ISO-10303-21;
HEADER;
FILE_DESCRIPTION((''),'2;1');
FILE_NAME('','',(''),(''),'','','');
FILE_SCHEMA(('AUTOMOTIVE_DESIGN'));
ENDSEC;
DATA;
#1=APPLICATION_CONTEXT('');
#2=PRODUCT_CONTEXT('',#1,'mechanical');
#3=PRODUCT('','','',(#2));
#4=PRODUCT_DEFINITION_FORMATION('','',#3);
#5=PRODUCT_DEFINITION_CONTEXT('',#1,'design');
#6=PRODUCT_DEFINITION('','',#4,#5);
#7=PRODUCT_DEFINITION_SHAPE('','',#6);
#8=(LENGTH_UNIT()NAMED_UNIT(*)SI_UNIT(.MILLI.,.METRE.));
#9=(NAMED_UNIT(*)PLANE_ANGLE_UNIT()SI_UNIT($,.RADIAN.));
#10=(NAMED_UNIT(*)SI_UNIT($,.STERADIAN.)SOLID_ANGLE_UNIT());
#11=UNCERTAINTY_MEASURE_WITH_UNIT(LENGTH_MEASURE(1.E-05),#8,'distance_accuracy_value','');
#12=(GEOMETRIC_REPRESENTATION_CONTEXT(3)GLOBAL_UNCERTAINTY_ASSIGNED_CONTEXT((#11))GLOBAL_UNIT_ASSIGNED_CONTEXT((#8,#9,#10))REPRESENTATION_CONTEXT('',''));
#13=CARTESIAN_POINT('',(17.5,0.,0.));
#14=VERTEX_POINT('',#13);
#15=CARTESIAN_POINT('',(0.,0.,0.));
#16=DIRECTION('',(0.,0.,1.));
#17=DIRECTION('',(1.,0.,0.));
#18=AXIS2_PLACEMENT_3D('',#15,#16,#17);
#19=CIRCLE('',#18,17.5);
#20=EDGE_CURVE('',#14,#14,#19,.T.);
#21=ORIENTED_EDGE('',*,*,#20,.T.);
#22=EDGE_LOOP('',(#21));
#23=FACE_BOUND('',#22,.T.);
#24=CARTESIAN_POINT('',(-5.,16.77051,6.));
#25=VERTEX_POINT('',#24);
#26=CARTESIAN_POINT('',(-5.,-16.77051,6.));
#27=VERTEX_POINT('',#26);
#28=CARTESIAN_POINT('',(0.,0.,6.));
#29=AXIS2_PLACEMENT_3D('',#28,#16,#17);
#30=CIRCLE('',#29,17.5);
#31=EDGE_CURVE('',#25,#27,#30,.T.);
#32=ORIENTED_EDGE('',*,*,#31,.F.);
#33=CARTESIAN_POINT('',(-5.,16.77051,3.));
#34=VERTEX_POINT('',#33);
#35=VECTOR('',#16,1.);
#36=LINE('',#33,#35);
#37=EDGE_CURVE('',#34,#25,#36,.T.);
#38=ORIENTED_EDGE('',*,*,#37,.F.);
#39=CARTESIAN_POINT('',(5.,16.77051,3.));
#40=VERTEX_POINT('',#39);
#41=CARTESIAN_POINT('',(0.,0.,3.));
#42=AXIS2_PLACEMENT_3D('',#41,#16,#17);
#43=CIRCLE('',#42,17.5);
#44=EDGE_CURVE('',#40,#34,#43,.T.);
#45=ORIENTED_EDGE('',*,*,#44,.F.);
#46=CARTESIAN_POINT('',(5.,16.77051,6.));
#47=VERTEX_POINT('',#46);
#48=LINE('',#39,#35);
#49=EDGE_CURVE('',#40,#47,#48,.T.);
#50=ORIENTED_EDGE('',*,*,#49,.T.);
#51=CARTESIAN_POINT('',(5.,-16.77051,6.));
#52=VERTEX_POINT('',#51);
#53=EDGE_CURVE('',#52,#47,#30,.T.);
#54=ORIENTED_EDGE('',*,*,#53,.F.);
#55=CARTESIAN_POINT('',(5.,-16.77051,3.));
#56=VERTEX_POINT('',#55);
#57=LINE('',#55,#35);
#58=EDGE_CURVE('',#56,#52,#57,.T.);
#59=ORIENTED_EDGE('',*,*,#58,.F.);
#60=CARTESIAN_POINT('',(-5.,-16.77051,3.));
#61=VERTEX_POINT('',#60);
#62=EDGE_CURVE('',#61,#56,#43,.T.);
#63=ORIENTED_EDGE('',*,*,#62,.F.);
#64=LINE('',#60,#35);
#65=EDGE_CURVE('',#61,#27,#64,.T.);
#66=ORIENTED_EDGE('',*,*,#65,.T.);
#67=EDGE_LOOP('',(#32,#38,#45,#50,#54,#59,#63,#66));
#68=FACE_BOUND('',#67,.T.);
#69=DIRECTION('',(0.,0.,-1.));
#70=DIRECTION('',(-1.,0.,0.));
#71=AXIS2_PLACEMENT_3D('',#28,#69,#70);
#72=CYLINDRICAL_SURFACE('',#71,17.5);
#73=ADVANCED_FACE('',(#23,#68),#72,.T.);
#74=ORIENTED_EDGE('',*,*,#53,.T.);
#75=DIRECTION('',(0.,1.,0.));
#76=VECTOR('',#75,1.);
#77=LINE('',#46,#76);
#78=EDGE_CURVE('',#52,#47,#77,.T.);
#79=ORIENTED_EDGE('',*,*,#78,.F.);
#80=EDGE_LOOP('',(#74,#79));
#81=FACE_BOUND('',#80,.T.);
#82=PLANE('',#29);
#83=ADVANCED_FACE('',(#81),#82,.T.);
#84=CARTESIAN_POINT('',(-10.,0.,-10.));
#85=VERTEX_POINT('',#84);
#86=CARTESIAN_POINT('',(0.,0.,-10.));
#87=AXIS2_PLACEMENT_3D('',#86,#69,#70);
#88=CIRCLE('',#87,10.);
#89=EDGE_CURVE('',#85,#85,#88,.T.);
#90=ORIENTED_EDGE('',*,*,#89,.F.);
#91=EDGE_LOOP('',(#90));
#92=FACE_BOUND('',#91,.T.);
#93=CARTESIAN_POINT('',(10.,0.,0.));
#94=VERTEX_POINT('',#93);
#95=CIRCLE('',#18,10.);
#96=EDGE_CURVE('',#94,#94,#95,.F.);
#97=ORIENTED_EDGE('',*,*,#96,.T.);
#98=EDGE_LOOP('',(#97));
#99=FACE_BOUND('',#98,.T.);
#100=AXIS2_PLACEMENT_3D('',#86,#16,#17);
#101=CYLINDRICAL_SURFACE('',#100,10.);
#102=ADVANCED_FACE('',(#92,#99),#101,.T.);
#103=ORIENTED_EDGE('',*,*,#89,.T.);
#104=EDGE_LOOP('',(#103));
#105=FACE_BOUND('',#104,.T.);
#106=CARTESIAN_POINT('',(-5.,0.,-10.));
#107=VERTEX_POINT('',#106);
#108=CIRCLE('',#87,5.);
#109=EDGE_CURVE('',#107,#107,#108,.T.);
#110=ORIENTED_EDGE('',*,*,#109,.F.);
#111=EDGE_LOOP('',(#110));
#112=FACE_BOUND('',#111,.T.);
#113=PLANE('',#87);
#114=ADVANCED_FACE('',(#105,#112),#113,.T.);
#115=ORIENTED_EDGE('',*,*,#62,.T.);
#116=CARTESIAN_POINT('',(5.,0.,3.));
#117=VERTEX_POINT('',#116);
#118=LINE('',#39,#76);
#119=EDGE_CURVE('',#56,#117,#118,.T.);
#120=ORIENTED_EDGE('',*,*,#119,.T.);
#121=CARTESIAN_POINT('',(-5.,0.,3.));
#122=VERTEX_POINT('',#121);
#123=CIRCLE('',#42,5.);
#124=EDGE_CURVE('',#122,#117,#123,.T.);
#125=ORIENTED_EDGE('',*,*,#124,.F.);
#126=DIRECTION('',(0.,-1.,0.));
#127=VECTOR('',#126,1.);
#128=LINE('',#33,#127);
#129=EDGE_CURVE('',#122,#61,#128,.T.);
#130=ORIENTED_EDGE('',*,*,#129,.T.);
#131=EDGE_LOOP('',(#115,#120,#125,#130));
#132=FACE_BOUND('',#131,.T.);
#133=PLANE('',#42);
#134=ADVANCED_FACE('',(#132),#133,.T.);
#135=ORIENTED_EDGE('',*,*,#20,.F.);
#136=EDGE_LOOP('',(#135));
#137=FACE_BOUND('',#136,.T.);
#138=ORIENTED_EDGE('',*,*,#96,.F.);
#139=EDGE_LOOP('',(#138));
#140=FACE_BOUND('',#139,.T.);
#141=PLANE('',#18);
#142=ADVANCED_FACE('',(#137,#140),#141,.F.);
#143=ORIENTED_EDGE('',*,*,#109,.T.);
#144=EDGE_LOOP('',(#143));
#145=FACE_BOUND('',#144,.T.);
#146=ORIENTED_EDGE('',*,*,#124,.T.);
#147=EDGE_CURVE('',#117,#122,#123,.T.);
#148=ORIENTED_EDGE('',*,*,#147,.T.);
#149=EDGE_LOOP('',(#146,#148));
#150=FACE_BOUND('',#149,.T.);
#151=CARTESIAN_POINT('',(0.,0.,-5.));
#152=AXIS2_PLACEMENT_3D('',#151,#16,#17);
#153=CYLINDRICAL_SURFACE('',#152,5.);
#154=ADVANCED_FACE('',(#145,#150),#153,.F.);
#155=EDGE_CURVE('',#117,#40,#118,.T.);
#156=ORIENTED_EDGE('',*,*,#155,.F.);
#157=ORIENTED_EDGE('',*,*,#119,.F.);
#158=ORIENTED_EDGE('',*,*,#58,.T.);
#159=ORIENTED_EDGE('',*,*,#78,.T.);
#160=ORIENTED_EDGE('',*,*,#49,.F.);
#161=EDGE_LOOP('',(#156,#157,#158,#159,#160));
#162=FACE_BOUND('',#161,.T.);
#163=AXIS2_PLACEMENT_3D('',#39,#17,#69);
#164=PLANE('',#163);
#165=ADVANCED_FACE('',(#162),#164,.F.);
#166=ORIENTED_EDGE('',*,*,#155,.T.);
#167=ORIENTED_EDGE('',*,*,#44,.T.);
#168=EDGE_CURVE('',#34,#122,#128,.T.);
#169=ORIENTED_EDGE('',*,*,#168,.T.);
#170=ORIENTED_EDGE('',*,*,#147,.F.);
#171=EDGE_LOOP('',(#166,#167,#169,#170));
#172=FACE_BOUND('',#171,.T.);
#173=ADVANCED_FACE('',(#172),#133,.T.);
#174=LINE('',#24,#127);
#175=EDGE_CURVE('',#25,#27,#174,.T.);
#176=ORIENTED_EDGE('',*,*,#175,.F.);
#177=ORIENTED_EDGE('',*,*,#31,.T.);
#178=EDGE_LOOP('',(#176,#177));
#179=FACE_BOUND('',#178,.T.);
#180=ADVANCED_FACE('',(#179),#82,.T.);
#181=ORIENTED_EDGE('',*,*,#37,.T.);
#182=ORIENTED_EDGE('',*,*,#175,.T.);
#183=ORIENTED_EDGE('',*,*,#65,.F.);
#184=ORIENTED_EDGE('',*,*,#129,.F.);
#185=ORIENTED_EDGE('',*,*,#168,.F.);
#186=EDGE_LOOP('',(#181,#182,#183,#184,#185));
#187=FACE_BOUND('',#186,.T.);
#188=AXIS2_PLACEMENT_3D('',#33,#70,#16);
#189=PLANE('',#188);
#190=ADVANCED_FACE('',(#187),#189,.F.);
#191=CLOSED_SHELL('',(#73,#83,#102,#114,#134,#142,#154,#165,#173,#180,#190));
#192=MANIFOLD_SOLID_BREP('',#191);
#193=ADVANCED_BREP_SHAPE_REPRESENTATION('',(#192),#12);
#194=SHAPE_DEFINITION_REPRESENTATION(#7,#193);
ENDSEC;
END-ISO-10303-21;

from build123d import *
from build123d.topology import SkipClean

# Parameters (mm, degrees)
SKETCH1_R           = 17.5
BOSS_EXTRUDE1_DEPTH = 6
CUT_EXTRUDE1_START  = -3
CUT_EXTRUDE1_DEPTH  = 3
SKETCH3_R           = 5
CUT_EXTRUDE2_DEPTH  = 11
SKETCH4_R           = 10
SKETCH4_R_2         = 5
BOSS_EXTRUDE2_DEPTH = 10


with BuildPart() as part:
    # Sketch1 → Boss-Extrude1 (new body)
    with BuildSketch(Plane.XY):
        Circle(SKETCH1_R)
    extrude(amount=BOSS_EXTRUDE1_DEPTH)

    # Sketch2 → Cut-Extrude1 (cut)
    with BuildSketch(Plane.XY.offset(6).offset(CUT_EXTRUDE1_START)):
        with BuildLine():
            Line((-5, 16.770509831), (-5, -16.770509831))
            ThreePointArc((-5, -16.770509831), (0, -17.5), (5, -16.770509831))
            Line((5, -16.770509831), (5, 16.770509831))
            ThreePointArc((5, 16.770509831), (0, 17.5), (-5, 16.770509831))
        make_face()
    extrude(amount=CUT_EXTRUDE1_DEPTH, mode=Mode.SUBTRACT)

    # Sketch3 → Cut-Extrude2 (cut)
    with BuildSketch(Plane.XY.offset(6)):
        Circle(SKETCH3_R)
    extrude(amount=-CUT_EXTRUDE2_DEPTH, mode=Mode.SUBTRACT)

    # Sketch4 → Boss-Extrude2 (add)
    with SkipClean():  # the faces are left unmerged after this step: merging them gives an invalid solid
        with BuildSketch(Plane(origin=(0, 0, 0), x_dir=(-1, 0, 0), z_dir=(0, 0, -1))):
            with Locations(Location((0, 0, 0), (0, 0, 180))):
                Circle(SKETCH4_R)
            Circle(SKETCH4_R_2, mode=Mode.SUBTRACT)
        extrude(amount=BOSS_EXTRUDE2_DEPTH)


solid = part.part
